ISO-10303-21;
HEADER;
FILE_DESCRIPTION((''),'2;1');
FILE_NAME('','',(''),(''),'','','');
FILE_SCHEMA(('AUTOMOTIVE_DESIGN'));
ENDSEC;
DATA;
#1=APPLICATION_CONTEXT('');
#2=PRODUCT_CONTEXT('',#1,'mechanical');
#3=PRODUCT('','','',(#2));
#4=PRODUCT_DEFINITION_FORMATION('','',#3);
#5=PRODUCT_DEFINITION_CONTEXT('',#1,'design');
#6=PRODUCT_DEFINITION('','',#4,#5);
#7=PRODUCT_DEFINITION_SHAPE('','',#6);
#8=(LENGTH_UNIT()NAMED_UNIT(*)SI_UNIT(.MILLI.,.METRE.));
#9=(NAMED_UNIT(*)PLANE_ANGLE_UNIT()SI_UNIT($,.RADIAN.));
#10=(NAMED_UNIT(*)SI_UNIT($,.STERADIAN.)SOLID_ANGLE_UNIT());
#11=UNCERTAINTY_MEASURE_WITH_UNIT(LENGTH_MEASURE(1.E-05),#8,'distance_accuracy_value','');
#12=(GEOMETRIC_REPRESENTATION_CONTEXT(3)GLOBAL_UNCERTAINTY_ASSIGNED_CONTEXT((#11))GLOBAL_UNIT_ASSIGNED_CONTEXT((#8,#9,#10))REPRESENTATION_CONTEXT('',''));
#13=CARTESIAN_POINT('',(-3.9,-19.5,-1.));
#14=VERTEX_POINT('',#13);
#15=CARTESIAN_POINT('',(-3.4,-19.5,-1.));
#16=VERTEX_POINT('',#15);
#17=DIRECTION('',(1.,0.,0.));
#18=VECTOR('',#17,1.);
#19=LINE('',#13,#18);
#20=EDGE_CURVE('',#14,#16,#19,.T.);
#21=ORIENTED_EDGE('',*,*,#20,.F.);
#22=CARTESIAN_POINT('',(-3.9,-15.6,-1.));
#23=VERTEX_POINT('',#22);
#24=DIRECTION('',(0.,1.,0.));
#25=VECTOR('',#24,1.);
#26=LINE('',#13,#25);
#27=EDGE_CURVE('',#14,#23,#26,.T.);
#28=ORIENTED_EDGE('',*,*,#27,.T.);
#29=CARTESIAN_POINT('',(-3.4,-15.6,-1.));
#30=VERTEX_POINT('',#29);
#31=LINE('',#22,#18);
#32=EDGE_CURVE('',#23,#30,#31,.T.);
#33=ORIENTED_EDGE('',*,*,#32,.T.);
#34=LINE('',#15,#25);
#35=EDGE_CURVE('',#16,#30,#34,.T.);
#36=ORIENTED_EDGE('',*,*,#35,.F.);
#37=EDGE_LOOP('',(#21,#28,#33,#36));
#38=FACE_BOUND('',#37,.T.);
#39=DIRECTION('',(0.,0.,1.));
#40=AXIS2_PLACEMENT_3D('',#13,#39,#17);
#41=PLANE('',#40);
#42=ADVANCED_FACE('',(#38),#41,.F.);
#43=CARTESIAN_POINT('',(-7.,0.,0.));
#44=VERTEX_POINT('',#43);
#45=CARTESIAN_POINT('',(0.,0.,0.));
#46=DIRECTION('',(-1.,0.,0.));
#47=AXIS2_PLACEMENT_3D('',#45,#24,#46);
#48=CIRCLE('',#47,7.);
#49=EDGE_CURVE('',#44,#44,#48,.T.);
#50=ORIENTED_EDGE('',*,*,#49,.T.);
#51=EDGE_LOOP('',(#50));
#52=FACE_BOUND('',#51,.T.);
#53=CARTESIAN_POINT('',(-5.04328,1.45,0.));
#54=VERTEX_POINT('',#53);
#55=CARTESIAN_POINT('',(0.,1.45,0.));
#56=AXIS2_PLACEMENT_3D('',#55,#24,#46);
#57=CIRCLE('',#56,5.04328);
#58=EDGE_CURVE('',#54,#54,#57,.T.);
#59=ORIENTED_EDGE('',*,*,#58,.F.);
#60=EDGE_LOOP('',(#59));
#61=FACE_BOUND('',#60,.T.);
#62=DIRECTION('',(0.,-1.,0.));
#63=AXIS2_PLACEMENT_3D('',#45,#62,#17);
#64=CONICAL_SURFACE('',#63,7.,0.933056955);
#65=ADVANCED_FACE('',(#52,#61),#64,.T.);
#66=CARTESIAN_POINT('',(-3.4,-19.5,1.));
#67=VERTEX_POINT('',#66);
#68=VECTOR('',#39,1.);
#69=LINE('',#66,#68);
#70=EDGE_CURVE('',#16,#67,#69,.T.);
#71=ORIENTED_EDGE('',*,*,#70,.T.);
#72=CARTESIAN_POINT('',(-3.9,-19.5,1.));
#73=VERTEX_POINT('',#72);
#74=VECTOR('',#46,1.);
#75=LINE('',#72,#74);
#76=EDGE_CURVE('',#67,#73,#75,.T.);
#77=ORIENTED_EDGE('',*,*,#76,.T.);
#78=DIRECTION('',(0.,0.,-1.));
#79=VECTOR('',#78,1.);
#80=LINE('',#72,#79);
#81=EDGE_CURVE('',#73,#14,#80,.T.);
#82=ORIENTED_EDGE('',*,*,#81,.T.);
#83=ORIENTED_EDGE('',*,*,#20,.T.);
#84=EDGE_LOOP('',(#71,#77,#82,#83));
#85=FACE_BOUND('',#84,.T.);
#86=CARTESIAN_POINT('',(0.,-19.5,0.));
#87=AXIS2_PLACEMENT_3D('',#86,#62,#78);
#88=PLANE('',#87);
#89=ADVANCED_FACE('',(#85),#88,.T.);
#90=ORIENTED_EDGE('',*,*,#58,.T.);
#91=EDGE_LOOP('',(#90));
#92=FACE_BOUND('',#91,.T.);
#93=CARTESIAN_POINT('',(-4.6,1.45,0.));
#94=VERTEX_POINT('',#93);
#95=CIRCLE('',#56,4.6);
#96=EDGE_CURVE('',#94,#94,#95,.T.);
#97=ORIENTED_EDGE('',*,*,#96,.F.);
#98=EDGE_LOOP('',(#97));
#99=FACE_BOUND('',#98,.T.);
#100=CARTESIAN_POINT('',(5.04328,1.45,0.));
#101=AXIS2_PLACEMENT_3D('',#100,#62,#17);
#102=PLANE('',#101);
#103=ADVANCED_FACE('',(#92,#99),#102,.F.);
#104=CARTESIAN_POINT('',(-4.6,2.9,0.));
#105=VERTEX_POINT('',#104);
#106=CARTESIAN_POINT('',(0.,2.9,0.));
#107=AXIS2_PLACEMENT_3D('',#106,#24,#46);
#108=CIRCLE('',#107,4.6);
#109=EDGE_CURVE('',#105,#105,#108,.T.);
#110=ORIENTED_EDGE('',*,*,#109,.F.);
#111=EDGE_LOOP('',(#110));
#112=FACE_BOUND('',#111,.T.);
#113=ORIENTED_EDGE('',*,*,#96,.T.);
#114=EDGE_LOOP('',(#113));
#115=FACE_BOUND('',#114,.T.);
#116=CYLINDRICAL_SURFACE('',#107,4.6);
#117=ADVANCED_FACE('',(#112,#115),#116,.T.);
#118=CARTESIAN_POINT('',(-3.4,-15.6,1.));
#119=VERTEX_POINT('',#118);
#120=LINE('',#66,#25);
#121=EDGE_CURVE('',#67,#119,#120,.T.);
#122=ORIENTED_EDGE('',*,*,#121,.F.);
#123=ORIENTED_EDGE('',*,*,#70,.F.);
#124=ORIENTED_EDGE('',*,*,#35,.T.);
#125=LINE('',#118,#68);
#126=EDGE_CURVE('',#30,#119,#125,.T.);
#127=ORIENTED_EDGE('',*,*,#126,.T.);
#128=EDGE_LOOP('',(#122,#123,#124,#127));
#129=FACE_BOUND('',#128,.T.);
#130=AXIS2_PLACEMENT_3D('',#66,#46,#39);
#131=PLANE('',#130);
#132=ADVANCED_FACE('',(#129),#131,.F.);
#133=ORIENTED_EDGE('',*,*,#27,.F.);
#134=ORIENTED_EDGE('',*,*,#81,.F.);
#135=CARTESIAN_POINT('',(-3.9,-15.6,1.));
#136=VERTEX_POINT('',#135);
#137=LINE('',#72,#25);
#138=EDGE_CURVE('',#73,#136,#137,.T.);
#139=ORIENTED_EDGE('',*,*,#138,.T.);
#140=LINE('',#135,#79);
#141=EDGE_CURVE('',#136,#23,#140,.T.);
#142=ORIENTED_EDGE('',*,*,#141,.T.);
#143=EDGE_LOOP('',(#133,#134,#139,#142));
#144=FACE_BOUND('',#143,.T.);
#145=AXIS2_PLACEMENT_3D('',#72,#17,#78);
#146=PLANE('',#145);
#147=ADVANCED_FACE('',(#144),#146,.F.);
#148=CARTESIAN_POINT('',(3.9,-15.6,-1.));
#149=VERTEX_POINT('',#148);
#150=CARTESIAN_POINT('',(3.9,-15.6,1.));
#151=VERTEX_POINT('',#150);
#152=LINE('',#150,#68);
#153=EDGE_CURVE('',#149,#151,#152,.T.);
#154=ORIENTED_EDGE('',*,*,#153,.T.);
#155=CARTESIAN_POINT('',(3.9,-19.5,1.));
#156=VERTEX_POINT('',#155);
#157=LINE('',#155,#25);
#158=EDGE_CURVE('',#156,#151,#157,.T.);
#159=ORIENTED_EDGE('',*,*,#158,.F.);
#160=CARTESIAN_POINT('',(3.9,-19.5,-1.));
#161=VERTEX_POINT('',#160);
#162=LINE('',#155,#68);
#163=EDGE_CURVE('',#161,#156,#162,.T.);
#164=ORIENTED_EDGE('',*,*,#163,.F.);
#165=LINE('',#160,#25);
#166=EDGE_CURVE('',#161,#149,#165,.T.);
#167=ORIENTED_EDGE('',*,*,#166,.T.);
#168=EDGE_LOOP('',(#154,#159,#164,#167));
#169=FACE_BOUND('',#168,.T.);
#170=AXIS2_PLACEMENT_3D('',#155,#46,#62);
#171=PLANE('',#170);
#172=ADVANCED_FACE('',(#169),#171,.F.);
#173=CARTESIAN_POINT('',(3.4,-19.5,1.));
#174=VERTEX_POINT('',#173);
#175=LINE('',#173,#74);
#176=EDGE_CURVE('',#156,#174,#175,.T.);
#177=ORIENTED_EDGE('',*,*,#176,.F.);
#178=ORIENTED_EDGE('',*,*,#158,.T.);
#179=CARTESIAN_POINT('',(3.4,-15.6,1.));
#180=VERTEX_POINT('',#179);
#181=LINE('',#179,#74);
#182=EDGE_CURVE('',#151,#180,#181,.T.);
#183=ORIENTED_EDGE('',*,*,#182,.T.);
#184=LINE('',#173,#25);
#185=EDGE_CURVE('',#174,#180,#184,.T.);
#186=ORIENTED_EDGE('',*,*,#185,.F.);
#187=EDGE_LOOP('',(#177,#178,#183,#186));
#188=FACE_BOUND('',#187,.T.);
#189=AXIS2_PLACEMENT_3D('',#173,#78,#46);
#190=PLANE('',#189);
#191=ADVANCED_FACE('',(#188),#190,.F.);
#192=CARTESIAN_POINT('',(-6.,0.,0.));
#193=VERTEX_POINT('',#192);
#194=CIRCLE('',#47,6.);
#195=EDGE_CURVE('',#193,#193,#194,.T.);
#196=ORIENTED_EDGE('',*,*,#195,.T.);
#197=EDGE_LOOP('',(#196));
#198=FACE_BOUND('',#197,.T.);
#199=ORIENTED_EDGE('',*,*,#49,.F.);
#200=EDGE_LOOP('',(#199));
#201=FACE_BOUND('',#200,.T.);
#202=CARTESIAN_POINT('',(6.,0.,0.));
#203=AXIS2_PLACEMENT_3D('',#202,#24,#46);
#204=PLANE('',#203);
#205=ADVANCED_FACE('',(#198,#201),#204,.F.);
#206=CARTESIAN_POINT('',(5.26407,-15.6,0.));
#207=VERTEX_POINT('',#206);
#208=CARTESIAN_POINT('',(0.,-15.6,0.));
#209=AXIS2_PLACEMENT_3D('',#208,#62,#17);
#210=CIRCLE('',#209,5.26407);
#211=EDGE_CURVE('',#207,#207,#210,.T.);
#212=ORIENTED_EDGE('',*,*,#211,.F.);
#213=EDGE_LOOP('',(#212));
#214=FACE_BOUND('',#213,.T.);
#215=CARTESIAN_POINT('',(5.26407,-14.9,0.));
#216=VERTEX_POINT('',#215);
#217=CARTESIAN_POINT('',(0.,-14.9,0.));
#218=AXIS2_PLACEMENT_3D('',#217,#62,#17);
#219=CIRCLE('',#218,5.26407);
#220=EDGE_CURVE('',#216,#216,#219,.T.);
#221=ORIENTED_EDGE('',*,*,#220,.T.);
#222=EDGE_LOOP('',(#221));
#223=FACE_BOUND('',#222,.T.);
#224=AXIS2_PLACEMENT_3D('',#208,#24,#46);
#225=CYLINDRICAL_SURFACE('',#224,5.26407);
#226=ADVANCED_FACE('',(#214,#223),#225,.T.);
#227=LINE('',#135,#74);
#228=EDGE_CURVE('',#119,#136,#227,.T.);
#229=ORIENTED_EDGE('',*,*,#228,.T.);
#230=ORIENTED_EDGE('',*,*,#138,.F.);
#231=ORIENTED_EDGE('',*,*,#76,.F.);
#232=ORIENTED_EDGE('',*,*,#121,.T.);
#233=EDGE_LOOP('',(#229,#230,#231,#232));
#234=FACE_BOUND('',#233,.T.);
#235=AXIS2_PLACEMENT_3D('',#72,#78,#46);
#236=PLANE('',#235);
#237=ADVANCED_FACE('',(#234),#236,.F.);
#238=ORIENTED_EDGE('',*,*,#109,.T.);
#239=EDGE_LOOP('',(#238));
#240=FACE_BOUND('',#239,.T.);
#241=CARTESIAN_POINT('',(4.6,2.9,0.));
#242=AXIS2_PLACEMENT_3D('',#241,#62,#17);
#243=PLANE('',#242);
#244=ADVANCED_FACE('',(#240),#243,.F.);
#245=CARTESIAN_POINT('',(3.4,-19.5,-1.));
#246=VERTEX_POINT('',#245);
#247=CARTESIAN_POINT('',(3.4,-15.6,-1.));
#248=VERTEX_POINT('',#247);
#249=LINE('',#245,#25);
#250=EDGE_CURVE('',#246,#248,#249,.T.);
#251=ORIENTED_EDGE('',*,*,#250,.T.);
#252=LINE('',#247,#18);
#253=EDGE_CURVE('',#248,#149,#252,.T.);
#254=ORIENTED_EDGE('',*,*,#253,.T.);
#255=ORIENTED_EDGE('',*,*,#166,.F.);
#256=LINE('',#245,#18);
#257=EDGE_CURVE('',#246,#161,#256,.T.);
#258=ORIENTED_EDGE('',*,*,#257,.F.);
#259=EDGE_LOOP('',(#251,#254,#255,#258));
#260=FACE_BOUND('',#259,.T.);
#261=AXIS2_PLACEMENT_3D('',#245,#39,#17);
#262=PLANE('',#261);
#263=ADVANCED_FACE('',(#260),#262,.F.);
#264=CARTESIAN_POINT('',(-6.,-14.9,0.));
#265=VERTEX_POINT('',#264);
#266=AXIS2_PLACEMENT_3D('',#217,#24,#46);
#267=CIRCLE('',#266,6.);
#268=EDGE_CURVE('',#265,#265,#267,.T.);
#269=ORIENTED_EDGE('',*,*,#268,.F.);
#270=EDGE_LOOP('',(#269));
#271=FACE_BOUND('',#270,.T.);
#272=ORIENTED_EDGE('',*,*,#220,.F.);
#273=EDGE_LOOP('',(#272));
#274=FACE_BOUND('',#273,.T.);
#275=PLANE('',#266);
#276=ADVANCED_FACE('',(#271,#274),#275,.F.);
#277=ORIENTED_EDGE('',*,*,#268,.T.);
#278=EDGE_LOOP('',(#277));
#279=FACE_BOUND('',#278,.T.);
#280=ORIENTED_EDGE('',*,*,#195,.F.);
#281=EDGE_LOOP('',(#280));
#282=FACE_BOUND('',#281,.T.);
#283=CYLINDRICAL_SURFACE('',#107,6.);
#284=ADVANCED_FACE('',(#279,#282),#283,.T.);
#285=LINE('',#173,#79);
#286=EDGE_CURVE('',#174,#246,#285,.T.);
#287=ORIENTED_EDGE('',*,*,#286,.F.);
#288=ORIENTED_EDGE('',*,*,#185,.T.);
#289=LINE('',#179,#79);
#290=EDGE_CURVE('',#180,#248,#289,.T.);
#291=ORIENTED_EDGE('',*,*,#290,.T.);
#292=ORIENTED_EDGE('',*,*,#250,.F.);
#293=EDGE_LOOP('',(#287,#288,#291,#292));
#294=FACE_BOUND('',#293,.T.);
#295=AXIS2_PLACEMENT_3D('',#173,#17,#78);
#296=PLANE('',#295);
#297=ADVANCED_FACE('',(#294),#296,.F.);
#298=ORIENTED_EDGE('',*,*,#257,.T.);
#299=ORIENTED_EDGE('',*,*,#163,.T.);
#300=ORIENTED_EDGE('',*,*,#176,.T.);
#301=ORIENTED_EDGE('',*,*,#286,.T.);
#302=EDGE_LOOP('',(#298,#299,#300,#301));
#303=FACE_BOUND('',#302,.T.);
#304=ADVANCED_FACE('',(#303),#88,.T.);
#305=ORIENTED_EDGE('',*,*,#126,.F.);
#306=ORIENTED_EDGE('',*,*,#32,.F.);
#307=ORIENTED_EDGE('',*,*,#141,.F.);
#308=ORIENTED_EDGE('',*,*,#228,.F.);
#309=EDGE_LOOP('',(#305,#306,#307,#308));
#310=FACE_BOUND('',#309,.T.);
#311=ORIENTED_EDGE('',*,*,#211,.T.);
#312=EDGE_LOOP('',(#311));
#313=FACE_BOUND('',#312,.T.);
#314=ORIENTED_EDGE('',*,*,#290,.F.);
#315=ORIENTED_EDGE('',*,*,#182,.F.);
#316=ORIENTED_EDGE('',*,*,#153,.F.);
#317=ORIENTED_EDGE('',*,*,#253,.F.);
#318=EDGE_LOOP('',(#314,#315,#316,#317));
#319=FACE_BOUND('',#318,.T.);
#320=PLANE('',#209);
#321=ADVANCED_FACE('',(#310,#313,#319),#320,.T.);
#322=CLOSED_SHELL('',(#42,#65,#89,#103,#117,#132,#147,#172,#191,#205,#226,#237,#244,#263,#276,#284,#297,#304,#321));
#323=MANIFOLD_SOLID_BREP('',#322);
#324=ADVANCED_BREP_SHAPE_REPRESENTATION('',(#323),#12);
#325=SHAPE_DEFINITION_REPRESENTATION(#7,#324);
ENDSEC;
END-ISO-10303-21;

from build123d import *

# Parameters (mm, degrees)
SKETCH2_R           = 5.264069535
BOSS_EXTRUDE1_DEPTH = 0.7
SKETCH3_W           = 0.5
SKETCH3_H           = 2
BOSS_EXTRUDE2_DEPTH = 3.9


with BuildPart() as part:
    # Sketch1 → Revolve1 (revolve)
    with BuildSketch(Plane.XY):
        Polygon((0, -14.9), (6, -14.9), (6, 0), (7, 0), (5.043279744, 1.45), (4.6, 1.45), (4.6, 2.9), (0, 2.9), align=None)
    revolve(axis=Axis((0, 2.9, 0), (0, -1, 0)))

    # Sketch2 → Boss-Extrude1 (add)
    with BuildSketch(Plane.XZ.offset(14.9)):
        Circle(SKETCH2_R)
    extrude(amount=BOSS_EXTRUDE1_DEPTH)

    # Sketch3 → Boss-Extrude2 (add)
    with BuildSketch(Plane.XZ.offset(15.6)):
        with Locations((-3.65, 0)):
            Rectangle(SKETCH3_W, SKETCH3_H)
        with Locations((3.65, 0)):
            Rectangle(SKETCH3_W, SKETCH3_H)
    extrude(amount=BOSS_EXTRUDE2_DEPTH)


solid = part.part
